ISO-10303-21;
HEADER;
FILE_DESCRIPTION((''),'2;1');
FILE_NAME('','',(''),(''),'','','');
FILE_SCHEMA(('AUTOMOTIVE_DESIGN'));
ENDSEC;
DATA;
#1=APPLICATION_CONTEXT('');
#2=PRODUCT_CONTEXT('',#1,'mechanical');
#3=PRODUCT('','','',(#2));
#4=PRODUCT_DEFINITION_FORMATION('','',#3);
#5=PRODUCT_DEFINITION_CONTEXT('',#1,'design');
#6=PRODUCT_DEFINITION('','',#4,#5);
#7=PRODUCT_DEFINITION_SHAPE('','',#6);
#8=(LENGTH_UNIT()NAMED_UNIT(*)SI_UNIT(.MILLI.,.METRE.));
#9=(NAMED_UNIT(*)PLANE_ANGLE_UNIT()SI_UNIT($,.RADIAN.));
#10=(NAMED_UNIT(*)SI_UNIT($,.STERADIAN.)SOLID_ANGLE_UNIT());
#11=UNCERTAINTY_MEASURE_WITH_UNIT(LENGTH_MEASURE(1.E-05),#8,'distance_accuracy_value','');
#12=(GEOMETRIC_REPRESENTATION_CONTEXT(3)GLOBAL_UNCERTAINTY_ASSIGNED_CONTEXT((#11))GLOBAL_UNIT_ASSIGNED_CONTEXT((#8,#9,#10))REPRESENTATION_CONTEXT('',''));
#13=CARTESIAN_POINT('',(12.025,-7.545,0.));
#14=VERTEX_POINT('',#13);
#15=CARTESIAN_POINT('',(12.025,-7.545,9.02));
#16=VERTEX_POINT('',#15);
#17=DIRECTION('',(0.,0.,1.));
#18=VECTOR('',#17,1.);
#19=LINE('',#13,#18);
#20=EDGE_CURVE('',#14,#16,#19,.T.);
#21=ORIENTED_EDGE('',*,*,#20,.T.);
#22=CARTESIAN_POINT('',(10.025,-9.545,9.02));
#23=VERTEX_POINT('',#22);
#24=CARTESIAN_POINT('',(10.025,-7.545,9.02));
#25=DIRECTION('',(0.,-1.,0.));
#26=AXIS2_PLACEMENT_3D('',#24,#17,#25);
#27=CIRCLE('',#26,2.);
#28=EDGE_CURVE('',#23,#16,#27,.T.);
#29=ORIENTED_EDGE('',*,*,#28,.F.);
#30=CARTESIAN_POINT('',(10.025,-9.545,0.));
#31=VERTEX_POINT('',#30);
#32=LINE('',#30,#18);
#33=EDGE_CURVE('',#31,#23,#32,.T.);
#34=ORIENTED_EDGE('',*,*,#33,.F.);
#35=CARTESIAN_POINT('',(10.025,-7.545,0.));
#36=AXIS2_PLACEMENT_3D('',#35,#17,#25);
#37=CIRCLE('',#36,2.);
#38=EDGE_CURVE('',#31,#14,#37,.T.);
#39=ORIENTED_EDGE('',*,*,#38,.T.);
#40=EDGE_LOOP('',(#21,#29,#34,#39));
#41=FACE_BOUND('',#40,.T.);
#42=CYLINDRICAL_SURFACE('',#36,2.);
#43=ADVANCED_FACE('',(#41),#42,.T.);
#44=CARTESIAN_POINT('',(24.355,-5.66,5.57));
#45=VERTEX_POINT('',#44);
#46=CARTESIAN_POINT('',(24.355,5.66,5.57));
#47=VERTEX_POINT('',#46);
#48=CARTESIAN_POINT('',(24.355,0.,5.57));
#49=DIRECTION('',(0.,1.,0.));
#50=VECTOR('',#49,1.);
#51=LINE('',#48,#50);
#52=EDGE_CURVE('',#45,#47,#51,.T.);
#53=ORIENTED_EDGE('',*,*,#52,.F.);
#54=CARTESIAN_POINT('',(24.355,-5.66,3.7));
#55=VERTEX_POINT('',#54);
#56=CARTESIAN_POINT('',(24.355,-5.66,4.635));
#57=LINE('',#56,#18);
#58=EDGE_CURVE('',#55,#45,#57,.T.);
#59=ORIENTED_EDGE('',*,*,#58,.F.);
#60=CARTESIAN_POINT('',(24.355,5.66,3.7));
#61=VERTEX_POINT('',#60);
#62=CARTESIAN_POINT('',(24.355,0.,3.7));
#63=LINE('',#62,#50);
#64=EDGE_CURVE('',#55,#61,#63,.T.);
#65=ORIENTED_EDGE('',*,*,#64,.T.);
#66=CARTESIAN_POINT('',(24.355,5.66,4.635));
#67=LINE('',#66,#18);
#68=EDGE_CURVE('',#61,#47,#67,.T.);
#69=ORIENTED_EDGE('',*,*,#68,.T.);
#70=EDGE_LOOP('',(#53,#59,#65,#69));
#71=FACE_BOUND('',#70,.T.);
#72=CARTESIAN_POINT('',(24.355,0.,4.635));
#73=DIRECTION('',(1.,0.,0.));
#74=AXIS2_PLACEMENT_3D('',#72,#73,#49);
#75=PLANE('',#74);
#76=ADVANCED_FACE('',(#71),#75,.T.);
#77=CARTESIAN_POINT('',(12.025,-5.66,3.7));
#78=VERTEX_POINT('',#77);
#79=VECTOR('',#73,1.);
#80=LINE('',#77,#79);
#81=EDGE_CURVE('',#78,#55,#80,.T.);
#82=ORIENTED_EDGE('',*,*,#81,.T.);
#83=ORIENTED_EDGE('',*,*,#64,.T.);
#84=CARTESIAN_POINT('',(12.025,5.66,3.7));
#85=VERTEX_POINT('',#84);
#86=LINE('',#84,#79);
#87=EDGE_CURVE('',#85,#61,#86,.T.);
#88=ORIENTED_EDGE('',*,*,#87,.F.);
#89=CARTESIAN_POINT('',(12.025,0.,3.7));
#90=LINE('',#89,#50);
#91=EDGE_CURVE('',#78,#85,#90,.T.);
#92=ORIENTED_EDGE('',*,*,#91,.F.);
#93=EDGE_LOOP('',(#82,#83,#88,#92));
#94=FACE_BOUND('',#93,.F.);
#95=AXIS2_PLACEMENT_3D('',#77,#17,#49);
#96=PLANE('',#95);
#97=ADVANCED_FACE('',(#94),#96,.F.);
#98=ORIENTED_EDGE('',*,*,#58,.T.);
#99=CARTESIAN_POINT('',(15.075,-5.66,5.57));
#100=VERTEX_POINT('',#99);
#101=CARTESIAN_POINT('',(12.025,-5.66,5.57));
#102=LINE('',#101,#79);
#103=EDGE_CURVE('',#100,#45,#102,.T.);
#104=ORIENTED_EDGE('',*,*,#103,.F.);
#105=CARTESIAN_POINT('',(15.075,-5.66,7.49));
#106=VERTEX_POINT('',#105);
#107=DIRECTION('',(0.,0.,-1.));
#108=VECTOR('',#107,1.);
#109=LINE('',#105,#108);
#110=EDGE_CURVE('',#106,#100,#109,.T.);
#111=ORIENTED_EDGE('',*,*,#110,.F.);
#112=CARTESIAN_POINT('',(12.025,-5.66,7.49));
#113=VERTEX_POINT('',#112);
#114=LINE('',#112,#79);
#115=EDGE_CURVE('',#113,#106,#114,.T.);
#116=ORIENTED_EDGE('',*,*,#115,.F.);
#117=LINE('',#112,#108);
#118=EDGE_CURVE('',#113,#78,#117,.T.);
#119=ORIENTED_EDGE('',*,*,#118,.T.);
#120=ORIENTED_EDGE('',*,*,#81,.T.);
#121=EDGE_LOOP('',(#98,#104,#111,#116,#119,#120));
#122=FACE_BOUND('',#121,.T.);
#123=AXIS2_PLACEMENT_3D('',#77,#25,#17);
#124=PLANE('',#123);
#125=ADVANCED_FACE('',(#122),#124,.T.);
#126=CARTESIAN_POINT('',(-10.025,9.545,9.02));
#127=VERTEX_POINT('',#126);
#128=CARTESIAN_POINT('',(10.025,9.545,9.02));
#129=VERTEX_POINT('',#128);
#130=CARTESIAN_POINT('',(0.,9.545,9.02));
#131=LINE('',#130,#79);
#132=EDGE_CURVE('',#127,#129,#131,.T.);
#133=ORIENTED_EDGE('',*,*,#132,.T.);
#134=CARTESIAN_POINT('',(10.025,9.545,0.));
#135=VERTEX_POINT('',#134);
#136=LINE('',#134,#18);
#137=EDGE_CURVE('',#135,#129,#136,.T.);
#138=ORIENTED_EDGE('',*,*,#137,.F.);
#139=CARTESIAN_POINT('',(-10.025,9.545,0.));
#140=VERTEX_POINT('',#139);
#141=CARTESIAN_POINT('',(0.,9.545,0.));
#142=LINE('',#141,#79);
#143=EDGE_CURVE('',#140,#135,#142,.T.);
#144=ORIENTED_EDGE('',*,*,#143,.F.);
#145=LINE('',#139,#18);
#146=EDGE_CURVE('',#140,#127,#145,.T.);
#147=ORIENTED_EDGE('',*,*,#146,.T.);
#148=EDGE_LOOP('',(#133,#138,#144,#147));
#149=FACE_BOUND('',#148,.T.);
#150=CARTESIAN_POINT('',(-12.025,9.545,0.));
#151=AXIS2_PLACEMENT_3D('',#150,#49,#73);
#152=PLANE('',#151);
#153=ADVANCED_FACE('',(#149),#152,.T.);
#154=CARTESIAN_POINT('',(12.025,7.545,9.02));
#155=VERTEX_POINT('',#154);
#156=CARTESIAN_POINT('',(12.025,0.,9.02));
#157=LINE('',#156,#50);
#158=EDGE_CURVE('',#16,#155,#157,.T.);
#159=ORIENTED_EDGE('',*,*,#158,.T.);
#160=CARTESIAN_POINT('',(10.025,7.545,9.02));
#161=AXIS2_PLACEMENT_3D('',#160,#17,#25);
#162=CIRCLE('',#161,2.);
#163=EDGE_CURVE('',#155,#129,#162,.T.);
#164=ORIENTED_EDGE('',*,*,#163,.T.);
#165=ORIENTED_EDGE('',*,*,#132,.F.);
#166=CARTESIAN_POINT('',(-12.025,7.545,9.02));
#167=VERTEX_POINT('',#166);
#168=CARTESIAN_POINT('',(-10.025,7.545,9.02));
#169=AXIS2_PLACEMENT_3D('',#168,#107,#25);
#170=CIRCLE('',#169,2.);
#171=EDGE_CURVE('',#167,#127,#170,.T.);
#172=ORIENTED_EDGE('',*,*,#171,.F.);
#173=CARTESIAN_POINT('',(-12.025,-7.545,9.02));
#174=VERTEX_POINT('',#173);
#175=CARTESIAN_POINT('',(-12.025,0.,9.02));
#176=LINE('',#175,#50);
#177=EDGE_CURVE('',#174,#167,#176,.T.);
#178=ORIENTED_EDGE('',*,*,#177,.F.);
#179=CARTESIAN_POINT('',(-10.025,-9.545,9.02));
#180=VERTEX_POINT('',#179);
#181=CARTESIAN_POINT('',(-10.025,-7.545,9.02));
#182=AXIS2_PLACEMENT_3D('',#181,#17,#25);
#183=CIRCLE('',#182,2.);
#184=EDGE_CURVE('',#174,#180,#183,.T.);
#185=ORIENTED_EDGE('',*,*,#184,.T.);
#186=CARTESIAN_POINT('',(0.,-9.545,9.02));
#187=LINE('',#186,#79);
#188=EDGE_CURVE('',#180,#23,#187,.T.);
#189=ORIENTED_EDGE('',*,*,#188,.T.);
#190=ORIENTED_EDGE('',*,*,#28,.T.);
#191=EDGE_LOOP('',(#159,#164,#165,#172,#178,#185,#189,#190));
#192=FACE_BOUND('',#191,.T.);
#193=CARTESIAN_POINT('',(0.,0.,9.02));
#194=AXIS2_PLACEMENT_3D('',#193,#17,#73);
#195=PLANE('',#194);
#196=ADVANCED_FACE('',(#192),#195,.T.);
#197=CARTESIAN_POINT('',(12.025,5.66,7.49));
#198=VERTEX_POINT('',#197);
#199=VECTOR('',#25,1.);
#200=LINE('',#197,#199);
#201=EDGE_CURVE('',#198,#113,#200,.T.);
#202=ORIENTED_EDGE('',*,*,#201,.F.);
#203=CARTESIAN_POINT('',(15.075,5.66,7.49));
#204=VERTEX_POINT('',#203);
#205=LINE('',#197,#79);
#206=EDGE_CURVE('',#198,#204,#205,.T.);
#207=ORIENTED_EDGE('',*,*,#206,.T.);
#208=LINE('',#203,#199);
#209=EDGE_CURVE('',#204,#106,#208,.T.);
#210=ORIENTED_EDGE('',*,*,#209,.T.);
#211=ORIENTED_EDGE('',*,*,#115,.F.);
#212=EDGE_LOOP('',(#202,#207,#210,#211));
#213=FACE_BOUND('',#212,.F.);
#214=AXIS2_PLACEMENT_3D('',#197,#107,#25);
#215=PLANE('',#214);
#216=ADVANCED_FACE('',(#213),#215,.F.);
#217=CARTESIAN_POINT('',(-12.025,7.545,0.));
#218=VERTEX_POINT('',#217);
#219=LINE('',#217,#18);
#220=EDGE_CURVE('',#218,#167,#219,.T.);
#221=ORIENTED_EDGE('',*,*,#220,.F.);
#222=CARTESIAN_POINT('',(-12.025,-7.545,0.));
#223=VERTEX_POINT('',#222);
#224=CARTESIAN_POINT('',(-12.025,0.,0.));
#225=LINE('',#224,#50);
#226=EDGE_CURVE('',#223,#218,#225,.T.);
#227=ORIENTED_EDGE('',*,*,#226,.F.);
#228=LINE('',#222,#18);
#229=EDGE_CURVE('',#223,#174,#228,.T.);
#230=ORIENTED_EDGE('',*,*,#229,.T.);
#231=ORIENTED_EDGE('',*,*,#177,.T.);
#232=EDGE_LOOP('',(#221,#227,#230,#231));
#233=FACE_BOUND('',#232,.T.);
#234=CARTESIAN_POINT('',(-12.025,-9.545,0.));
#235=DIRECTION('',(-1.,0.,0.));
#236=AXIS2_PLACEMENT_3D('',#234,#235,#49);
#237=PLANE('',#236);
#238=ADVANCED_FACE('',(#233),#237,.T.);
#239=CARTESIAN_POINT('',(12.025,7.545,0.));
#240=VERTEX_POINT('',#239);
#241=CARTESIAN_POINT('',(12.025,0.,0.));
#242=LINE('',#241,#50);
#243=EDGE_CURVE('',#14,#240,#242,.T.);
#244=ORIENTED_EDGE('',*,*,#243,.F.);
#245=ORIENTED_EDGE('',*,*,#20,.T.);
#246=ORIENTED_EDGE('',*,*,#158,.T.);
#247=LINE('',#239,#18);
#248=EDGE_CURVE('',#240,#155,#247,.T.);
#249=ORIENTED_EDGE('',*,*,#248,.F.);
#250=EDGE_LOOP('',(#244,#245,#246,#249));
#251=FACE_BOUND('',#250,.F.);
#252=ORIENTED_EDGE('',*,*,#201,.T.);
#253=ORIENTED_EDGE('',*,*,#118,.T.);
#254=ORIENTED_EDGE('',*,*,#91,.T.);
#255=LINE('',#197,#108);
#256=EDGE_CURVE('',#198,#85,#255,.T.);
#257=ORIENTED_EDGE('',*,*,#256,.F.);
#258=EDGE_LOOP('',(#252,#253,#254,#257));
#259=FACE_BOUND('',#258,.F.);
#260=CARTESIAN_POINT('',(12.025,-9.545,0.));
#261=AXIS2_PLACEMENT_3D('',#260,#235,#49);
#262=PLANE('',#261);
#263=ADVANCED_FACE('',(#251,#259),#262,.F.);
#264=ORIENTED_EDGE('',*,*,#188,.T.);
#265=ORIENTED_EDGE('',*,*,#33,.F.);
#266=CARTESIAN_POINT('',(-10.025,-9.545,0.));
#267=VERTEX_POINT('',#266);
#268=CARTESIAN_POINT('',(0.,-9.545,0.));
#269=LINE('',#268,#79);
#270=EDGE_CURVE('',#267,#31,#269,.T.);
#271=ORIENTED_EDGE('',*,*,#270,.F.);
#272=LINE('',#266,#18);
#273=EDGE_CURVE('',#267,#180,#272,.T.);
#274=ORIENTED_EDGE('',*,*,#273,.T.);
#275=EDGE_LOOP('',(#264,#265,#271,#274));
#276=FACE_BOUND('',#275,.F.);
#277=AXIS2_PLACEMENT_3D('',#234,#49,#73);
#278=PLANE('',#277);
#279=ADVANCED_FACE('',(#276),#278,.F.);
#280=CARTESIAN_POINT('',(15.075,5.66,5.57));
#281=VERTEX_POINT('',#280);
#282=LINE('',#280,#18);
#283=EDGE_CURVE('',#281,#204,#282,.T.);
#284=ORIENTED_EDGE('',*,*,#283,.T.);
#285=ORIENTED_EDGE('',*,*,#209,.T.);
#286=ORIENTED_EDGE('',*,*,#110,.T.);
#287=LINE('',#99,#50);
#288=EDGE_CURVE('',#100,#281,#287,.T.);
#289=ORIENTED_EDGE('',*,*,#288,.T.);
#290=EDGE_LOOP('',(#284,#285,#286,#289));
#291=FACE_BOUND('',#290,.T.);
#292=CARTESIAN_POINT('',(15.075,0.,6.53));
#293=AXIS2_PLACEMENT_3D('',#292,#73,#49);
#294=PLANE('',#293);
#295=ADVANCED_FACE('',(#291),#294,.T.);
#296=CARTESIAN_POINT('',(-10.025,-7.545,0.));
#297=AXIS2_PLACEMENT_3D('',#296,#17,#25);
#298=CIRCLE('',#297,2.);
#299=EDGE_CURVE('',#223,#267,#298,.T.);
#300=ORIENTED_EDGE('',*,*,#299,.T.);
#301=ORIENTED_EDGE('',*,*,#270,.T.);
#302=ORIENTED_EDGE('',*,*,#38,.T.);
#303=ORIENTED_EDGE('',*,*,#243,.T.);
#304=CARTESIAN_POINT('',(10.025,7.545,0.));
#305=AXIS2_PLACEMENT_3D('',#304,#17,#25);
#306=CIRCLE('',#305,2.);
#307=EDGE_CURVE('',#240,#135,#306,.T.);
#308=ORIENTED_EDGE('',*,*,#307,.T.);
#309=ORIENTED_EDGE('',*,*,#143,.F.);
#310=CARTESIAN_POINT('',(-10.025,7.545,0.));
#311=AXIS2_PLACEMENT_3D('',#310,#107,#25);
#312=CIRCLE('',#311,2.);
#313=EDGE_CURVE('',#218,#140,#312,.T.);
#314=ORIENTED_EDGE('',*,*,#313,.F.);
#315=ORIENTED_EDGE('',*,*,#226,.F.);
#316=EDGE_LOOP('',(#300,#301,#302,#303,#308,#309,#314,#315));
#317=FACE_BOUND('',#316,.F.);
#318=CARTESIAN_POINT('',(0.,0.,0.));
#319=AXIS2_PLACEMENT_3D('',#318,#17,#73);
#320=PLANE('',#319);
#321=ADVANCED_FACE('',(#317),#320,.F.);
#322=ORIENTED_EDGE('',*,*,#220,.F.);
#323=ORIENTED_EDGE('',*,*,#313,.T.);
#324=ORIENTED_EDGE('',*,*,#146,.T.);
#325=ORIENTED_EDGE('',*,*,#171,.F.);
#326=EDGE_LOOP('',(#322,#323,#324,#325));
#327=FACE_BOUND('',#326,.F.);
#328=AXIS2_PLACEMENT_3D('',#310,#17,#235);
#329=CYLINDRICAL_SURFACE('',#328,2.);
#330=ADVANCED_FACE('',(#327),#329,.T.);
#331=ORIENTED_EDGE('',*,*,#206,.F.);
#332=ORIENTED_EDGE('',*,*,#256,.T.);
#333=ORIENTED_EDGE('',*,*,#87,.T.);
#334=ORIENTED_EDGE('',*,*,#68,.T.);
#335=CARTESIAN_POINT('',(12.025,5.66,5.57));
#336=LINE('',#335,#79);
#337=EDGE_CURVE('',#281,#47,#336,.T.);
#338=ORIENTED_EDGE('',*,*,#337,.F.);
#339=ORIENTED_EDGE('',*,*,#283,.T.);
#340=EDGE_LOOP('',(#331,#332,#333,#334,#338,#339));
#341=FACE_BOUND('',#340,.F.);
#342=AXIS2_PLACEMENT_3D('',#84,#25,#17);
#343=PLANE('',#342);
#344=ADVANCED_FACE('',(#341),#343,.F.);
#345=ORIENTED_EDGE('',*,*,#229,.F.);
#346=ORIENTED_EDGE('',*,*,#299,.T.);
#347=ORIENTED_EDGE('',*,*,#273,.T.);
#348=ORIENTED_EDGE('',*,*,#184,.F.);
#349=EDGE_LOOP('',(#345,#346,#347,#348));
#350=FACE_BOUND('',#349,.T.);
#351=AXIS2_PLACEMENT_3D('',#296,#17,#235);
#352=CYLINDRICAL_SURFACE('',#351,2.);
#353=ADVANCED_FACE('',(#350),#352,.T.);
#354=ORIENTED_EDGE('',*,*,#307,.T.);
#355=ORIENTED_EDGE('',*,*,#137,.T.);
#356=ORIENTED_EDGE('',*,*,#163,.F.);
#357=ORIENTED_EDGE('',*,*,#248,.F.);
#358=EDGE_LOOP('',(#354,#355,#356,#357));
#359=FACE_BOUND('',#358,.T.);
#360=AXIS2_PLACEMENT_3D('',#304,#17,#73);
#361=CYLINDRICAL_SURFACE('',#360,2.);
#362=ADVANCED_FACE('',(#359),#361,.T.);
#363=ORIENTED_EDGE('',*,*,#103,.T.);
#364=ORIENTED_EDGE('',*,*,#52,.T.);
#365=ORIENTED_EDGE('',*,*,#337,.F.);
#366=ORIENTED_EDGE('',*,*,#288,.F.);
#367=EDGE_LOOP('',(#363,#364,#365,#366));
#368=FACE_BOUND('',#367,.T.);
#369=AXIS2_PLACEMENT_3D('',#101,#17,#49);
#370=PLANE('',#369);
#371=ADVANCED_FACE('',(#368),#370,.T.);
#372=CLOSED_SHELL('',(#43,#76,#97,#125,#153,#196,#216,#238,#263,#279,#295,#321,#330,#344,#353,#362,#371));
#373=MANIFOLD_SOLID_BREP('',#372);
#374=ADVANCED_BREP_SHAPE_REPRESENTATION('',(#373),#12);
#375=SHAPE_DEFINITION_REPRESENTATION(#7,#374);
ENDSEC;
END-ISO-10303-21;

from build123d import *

# Parameters (mm, degrees)
F0_W     = 24.05
F0_H     = 19.09
F1_DEPTH = 9.02
F2_R     = 2
F4_DEPTH = 3.05
F5_W     = 11.32
F5_H     = 1.87
F6_DEPTH = 12.33


with BuildPart() as f1:
    # F0 (on Top) → F1 (new body)
    with BuildSketch(Plane.XY):
        Rectangle(F0_W, F0_H)
    extrude(amount=F1_DEPTH)

    # F2
    f2_edges = [f1.edges().sort_by_distance(p)[0] for p in [
        (12.025, -9.545, 4.51),
        (12.025, 9.545, 4.51),
        (-12.025, 9.545, 4.51),
        (-12.025, -9.545, 4.51),
    ]]
    fillet(f2_edges, radius=F2_R)

    # F3 (on face) → F4 (join)
    with BuildSketch(Plane.YZ.offset(12.025)):
        Polygon((0, 7.49), (-5.66, 7.49), (-5.66, 5.57), (5.66, 5.57), (5.66, 7.49), align=None)
    extrude(amount=F4_DEPTH)

    # F5 (on face) → F6 (join)
    with BuildSketch(Plane.YZ.offset(12.025)):
        with Locations((0, 4.635)):
            Rectangle(F5_W, F5_H)
    extrude(amount=F6_DEPTH)


solid = f1.part
